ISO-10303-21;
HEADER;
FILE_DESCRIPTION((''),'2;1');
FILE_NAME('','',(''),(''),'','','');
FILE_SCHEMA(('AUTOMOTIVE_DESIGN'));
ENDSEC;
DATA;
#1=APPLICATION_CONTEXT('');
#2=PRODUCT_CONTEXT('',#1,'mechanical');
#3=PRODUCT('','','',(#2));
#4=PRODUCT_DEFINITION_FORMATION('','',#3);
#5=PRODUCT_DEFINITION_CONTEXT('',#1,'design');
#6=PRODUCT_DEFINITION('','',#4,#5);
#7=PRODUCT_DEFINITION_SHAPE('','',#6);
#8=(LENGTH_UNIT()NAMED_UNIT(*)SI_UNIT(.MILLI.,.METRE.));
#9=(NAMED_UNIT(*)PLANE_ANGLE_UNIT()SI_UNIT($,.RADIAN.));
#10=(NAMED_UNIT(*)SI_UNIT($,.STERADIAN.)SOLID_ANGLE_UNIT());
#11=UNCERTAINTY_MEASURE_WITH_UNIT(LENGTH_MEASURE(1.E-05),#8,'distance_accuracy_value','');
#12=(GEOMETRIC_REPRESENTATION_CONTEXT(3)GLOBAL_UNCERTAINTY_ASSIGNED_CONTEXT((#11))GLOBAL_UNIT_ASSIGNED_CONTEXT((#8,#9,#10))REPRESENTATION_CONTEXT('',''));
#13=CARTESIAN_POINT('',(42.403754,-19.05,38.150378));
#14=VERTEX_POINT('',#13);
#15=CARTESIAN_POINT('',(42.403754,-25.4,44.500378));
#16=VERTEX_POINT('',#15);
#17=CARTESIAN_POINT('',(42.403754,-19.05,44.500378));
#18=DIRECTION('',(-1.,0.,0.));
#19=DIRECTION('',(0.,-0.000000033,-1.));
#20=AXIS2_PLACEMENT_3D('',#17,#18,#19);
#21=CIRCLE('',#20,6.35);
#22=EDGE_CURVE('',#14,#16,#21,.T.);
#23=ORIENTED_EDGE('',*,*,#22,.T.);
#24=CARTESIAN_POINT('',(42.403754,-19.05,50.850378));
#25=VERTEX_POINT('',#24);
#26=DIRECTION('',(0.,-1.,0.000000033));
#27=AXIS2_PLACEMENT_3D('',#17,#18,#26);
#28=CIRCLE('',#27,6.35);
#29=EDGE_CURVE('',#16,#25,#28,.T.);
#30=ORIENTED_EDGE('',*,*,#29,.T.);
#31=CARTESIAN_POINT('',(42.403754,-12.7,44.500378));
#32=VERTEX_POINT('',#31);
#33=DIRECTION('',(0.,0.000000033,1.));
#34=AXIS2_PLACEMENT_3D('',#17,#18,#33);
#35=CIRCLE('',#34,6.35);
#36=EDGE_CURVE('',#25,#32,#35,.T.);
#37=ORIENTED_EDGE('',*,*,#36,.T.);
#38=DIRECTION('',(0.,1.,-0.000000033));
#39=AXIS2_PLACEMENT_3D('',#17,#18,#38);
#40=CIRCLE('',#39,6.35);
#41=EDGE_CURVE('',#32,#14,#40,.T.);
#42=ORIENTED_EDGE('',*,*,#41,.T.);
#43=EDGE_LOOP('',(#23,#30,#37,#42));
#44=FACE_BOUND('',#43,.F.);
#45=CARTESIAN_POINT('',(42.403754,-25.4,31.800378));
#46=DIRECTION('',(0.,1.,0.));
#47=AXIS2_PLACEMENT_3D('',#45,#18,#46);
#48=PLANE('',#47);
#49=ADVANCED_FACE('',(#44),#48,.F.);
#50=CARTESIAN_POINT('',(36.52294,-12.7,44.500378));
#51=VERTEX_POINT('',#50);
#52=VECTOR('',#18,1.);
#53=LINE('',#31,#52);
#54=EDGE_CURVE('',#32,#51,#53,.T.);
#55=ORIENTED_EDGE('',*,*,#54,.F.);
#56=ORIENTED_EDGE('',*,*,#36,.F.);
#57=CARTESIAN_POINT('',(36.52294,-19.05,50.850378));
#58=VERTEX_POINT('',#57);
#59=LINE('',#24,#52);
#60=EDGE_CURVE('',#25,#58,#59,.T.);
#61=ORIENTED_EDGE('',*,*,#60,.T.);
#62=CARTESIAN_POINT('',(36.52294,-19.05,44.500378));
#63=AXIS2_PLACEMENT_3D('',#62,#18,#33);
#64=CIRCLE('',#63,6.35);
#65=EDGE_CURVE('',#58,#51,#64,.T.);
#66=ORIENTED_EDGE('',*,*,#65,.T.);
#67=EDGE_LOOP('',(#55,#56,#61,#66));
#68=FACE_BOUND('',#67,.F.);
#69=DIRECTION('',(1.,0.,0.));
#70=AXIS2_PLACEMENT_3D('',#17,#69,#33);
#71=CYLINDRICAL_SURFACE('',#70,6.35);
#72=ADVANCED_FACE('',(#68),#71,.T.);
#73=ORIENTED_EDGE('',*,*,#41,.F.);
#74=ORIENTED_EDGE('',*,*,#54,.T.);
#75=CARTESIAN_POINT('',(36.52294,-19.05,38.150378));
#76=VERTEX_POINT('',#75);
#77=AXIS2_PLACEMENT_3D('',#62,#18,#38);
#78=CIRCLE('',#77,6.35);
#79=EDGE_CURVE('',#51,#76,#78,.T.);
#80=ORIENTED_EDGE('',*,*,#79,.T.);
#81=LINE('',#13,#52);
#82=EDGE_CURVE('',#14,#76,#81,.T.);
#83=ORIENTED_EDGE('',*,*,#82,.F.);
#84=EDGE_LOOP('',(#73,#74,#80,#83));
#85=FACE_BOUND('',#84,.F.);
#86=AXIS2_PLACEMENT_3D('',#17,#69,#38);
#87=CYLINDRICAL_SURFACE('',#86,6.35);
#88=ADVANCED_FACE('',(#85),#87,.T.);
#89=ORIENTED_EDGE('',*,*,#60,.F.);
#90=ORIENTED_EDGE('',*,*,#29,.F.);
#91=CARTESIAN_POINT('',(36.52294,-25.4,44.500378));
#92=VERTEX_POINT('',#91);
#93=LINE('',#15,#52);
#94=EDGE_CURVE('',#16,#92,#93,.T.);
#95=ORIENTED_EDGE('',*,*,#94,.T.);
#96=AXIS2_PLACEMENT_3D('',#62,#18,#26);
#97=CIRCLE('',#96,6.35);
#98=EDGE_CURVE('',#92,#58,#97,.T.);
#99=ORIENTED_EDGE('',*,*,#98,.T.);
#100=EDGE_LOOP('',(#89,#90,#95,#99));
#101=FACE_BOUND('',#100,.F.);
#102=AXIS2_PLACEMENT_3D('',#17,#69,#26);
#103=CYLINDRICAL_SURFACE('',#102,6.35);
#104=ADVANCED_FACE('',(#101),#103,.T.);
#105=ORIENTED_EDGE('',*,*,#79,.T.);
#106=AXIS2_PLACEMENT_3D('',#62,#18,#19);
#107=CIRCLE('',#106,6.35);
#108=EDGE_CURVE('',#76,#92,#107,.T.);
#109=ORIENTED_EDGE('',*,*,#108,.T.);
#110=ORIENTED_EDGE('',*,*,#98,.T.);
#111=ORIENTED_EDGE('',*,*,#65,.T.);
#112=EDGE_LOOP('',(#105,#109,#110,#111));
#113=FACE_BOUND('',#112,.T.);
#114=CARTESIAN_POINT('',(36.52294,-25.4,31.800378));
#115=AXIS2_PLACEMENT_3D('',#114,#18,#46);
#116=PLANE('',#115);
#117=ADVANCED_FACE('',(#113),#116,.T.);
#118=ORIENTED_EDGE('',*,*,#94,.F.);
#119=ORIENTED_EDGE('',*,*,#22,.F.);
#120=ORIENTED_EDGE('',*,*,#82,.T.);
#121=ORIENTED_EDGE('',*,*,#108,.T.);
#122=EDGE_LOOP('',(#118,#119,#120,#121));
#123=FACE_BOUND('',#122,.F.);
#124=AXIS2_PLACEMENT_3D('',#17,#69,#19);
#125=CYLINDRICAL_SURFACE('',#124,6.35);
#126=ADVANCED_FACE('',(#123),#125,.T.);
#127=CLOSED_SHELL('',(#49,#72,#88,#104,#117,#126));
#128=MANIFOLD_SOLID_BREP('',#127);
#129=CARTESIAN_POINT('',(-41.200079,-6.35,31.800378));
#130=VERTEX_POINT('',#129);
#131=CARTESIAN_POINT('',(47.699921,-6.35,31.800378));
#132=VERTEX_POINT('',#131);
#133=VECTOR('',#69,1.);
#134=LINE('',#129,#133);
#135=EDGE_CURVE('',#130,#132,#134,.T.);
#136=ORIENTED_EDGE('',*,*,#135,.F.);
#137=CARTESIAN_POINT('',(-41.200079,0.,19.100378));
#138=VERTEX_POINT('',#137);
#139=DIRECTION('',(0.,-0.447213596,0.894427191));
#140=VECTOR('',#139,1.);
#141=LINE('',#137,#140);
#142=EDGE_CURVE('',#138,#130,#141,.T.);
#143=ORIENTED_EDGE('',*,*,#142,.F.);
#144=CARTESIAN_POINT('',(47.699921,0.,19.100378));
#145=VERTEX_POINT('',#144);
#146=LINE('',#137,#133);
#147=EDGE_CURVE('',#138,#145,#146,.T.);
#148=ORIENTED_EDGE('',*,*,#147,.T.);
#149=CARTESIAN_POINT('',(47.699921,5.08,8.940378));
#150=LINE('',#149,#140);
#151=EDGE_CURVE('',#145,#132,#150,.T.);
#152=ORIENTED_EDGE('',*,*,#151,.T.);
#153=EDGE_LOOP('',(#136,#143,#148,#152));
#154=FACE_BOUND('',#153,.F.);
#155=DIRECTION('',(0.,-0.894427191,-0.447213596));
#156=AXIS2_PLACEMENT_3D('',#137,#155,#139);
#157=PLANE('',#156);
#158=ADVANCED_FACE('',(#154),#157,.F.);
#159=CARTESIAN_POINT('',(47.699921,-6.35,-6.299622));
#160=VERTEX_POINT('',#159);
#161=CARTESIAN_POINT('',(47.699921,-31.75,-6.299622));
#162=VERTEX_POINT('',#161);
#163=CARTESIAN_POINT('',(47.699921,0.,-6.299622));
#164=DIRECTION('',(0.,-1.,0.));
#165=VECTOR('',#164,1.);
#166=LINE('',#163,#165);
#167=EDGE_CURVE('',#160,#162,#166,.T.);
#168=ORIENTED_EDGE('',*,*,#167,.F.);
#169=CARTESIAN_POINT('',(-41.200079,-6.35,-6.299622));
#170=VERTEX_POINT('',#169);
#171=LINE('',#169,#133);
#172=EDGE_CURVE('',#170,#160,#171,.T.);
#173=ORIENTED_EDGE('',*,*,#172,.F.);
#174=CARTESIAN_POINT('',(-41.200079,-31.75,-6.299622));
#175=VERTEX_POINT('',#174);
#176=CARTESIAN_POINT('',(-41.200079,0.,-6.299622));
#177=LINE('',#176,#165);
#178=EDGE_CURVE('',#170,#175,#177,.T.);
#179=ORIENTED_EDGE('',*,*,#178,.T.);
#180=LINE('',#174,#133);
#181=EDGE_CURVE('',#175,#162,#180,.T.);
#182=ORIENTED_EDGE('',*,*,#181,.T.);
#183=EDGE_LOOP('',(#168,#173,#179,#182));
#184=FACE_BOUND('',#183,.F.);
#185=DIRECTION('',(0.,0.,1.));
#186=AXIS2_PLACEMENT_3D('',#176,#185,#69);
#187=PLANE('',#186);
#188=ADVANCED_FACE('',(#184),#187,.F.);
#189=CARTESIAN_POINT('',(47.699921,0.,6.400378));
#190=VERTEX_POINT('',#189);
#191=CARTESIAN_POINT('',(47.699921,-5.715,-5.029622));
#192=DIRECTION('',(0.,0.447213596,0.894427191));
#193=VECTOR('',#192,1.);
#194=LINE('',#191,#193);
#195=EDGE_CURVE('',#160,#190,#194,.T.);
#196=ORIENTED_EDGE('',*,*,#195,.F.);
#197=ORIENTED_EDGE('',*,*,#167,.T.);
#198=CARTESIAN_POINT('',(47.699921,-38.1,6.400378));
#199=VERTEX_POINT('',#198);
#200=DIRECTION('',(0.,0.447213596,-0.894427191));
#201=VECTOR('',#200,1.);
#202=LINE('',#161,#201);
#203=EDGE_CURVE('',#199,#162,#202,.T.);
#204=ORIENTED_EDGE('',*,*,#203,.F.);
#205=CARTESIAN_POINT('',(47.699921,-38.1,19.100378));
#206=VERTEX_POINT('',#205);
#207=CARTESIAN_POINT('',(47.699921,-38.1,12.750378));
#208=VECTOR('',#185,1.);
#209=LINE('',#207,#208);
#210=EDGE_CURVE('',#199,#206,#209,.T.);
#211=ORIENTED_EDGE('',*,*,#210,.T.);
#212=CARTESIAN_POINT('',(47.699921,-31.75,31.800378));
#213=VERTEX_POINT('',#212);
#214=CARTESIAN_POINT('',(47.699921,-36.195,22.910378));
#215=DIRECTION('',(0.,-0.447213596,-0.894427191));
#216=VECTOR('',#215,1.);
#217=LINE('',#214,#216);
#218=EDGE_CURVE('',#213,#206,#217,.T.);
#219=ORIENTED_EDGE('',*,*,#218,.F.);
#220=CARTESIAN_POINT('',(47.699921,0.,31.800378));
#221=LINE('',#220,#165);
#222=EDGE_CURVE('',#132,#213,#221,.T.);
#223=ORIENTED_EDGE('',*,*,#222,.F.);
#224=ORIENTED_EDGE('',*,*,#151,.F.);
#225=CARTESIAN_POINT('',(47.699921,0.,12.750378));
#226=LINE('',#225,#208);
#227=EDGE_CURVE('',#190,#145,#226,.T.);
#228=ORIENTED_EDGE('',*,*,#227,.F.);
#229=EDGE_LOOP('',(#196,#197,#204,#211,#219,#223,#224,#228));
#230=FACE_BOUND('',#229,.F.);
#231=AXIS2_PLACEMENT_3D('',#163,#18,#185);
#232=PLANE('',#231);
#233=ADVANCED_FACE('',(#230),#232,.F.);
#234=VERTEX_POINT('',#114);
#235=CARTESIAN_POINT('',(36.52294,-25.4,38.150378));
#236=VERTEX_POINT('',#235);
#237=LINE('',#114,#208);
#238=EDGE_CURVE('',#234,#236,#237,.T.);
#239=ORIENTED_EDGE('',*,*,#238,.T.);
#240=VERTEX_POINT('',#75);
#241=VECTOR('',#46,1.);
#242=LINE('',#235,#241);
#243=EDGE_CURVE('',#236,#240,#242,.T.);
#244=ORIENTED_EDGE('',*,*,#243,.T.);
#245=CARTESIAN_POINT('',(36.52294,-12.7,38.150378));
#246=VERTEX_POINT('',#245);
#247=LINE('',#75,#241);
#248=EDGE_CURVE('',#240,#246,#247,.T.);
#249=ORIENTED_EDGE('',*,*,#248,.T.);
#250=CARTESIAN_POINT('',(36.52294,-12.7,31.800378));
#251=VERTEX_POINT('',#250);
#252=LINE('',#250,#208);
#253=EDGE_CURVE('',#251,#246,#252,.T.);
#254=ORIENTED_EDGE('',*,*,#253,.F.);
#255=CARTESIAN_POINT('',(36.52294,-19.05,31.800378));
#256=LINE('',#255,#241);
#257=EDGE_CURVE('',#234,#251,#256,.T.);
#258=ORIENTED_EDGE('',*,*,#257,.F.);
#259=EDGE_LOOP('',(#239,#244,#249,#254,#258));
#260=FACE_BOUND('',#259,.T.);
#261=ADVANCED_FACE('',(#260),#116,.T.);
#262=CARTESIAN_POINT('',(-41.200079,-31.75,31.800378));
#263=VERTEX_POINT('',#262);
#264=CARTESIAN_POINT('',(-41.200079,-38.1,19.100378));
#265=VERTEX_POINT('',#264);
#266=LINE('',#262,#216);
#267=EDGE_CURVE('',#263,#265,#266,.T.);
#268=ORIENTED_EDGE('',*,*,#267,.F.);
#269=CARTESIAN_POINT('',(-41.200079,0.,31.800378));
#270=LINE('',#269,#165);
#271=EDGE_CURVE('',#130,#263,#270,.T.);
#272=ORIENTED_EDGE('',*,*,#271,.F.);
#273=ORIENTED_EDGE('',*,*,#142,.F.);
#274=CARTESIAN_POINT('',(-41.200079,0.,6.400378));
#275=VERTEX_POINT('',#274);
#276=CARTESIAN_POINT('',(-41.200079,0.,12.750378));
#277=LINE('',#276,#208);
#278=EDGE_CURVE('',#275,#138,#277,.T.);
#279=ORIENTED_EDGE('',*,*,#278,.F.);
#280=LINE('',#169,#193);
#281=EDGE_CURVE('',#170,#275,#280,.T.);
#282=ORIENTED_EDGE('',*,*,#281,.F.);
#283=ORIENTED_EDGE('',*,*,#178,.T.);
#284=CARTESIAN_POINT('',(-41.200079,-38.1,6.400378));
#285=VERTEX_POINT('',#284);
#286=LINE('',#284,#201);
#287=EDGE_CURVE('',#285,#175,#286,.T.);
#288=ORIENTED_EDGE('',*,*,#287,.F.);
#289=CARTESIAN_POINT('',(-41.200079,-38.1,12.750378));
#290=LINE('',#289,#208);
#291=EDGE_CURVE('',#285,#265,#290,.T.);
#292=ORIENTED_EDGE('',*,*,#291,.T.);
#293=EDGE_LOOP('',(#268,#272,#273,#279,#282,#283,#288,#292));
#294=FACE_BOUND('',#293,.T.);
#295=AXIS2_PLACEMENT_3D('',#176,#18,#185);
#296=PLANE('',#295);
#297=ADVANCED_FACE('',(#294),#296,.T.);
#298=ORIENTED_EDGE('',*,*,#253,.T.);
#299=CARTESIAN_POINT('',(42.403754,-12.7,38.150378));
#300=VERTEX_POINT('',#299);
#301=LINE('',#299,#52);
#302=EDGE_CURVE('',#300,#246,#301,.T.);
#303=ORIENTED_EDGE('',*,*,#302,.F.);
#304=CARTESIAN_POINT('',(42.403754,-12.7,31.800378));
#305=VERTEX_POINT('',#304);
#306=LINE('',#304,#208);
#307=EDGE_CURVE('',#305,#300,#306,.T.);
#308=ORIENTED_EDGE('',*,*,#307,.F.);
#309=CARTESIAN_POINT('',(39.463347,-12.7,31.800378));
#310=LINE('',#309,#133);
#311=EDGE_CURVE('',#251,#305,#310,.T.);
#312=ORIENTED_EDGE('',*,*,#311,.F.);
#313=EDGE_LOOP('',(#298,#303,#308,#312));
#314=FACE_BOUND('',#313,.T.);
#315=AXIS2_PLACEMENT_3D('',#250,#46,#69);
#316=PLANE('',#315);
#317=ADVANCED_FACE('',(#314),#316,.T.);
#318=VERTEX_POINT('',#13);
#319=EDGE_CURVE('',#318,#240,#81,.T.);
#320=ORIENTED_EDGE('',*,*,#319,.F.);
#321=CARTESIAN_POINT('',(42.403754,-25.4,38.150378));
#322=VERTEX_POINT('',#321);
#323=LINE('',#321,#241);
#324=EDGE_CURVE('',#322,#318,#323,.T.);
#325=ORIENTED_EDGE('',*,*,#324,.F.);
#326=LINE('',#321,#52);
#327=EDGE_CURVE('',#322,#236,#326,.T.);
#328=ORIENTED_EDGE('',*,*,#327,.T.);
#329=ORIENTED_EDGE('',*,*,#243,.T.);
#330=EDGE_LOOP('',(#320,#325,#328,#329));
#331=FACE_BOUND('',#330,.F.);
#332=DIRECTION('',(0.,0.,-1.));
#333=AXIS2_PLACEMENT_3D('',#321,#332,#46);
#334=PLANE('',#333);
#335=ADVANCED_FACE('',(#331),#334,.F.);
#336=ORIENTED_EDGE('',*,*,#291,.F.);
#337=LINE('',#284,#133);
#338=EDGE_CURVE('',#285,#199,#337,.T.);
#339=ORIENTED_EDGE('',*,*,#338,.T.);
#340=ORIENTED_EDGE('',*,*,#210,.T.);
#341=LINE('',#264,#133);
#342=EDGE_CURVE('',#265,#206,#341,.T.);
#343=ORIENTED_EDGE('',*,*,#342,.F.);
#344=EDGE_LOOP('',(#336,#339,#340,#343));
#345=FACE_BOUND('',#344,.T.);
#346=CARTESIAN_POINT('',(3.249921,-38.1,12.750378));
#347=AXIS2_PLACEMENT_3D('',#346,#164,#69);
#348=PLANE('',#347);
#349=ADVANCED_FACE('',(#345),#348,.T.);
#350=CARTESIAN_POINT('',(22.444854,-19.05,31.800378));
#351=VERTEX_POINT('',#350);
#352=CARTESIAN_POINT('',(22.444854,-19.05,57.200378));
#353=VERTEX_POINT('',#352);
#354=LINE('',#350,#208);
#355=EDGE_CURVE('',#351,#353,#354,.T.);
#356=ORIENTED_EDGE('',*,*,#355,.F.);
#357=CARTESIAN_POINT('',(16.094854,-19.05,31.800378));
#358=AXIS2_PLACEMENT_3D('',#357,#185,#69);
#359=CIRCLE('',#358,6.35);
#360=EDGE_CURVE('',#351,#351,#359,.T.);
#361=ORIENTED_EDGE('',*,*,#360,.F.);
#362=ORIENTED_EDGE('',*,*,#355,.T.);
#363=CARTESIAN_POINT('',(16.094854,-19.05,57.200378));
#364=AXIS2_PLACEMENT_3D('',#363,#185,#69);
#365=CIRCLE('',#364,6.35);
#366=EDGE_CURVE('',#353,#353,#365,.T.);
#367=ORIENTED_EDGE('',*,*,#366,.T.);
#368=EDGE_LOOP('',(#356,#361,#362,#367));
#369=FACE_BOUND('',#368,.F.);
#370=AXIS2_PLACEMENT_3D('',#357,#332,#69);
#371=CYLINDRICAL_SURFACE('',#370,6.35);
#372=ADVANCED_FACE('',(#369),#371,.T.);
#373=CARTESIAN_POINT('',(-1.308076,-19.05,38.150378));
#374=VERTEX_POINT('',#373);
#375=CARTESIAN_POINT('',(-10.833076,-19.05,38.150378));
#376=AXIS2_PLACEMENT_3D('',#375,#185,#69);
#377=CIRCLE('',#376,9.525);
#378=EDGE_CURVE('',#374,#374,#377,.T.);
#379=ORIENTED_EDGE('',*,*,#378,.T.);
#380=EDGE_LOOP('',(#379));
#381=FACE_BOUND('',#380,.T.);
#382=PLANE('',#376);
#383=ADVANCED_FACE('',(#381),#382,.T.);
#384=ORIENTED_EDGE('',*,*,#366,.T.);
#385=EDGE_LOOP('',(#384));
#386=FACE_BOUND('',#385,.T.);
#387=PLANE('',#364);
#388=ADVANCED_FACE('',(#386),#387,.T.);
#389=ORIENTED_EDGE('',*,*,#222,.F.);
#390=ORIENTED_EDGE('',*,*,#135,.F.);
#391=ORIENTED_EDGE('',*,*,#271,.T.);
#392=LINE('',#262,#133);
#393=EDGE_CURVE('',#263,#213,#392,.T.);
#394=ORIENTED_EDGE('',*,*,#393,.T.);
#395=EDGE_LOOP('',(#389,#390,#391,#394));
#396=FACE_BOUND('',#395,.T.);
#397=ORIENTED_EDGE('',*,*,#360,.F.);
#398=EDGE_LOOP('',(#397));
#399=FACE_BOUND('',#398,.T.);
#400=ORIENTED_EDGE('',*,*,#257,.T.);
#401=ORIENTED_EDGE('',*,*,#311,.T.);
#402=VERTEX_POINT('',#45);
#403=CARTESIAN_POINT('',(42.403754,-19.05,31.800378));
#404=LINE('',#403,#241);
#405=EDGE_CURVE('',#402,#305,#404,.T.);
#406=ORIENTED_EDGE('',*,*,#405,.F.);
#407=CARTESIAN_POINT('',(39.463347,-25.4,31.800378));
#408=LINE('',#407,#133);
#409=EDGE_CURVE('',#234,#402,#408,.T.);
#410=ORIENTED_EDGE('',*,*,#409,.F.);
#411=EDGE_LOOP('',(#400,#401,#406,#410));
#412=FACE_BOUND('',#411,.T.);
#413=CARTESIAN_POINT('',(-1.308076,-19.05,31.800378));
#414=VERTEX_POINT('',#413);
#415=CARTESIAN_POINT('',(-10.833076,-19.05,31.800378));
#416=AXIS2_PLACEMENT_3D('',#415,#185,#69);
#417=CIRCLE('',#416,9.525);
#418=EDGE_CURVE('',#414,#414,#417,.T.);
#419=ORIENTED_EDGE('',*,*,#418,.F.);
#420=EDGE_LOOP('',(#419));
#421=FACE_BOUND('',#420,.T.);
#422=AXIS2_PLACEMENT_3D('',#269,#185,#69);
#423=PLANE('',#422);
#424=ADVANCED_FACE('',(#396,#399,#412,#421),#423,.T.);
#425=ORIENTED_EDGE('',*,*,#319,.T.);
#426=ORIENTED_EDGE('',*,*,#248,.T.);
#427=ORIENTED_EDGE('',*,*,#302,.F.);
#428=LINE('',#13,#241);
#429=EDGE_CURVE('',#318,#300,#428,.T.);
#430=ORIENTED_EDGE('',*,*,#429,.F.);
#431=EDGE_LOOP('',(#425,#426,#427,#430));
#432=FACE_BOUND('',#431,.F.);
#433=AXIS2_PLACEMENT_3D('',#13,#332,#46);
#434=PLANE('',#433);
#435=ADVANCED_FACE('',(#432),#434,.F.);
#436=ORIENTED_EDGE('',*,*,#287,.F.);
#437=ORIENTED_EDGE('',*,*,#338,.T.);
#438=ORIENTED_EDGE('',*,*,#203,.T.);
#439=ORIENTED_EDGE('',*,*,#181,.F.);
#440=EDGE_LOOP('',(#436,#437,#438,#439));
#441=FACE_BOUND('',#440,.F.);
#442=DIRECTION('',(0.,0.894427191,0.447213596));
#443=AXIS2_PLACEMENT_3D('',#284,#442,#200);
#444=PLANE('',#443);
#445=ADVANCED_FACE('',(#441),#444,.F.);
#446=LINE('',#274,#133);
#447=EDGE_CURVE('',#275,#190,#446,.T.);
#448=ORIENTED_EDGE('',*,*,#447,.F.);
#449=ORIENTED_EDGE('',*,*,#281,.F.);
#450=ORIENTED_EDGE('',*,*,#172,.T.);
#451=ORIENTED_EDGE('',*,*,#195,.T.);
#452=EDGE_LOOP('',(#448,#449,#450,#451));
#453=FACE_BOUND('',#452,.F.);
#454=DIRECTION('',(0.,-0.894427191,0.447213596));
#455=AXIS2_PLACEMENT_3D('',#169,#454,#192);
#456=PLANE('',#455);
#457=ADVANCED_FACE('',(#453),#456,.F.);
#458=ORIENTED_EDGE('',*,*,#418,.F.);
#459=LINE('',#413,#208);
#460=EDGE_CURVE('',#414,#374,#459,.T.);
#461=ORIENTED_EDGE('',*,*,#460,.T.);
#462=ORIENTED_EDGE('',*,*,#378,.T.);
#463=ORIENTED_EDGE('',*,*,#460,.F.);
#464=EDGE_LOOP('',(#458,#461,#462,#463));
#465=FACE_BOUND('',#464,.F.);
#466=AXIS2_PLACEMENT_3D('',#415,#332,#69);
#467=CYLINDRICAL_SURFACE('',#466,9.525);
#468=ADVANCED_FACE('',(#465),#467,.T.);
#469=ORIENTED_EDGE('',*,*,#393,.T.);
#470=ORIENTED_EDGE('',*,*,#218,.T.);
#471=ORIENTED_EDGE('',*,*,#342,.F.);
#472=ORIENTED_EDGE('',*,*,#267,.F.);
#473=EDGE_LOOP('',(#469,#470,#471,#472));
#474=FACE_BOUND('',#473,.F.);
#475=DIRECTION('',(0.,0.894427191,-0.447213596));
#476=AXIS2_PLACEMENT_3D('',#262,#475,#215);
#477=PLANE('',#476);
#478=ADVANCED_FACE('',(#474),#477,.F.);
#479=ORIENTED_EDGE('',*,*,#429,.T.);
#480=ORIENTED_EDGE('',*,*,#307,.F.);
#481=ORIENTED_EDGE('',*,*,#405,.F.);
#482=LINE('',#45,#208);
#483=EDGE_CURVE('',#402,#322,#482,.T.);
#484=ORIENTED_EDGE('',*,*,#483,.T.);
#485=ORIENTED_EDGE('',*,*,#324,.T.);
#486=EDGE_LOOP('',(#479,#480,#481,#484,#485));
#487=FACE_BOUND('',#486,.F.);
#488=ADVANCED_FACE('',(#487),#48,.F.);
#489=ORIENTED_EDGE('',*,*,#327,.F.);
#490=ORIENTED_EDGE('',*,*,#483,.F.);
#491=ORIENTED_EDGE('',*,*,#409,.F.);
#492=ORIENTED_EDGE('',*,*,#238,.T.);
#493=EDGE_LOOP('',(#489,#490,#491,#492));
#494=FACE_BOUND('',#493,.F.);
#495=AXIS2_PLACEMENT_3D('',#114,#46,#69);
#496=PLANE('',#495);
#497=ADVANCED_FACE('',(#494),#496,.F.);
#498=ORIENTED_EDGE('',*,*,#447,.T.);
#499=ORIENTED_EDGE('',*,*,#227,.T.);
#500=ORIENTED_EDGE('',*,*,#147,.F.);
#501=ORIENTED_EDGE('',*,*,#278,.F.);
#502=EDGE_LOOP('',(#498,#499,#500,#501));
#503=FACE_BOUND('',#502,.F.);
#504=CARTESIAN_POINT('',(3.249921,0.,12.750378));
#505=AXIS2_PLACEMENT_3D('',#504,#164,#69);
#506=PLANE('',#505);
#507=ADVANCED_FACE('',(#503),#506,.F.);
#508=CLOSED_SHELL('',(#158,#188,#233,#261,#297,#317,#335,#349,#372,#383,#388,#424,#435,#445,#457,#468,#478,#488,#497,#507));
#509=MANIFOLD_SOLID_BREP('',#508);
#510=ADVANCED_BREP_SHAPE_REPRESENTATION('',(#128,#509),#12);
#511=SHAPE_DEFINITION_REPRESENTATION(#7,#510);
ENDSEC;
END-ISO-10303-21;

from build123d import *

# Parameters (mm, degrees)
F0_W     = 88.9
F0_H     = 38.1
F1_DEPTH = 38.1
F3_DEPTH = 88.901
F4_R     = 6.35
F5_DEPTH = 25.4
F4_R_2   = 9.525
F6_DEPTH = 6.35
F4_W     = 5.880814
F4_H     = 12.7
F7_DEPTH = 19.05
F9_DEPTH = 5.880814


with BuildPart() as f1:
    # F0 (on Front) → F1 (new body)
    with BuildSketch(Plane.XZ):
        with Locations((3.249921, 12.750378)):
            Rectangle(F0_W, F0_H)
    extrude(amount=F1_DEPTH)

    # F2 (on face) → F3 (cut, through all)
    with BuildSketch(Plane(origin=(-41.200079, 0, 0), x_dir=(0, -1, 0), z_dir=(-1, 0, 0))):
        Polygon((0, 31.800378), (0, 19.100378), (6.35, 31.800378), align=None)
        Polygon((6.35, -6.299622), (0, 6.400378), (0, -6.299622), align=None)
        Polygon((38.1, 6.400378), (31.75, -6.299622), (38.1, -6.299622), align=None)
        Polygon((38.1, 31.800378), (31.75, 31.800378), (38.1, 19.100378), align=None)
    extrude(amount=-F3_DEPTH, mode=Mode.SUBTRACT)

    # F4 (on face) → F5 (join)
    with BuildSketch(Plane.XY.offset(31.800378)):
        with Locations((16.094854, -19.05)):
            Circle(F4_R)
    extrude(amount=F5_DEPTH)

    # F4 (on face) → F6 (join)
    with BuildSketch(Plane.XY.offset(31.800378)):
        with Locations((-10.833076, -19.05)):
            Circle(F4_R_2)
    extrude(amount=F6_DEPTH)

    # F4 (on face) → F7 (join)
    with BuildSketch(Plane.XY.offset(31.800378)):
        with Locations((39.463347, -19.05)):
            Rectangle(F4_W, F4_H)
    extrude(amount=F7_DEPTH)

    # F8 (on face) → F9 (cut, through all)
    with BuildSketch(Plane.YZ.offset(42.403754)):
        with BuildLine():
            Line((-25.4, 50.850378), (-25.4, 44.500378))
            ThreePointArc((-25.4, 44.500378), (-23.540128, 48.990506), (-19.05, 50.850378))
            Line((-19.05, 50.850378), (-25.4, 50.850378))
        make_face()
        with BuildLine():
            Line((-25.4, 44.500378), (-25.4, 38.150378))
            Line((-25.4, 38.150378), (-19.05, 38.150378))
            ThreePointArc((-19.05, 38.150378), (-23.540128, 40.01025), (-25.4, 44.500378))
        make_face()
        with BuildLine():
            ThreePointArc((-12.7, 44.500378), (-14.559872, 40.01025), (-19.05, 38.150378))
            Line((-19.05, 38.150378), (-12.7, 38.150378))
            Line((-12.7, 38.150378), (-12.7, 44.500378))
        make_face()
        with BuildLine():
            ThreePointArc((-19.05, 50.850378), (-14.559872, 48.990506), (-12.7, 44.500378))
            Line((-12.7, 44.500378), (-12.7, 50.850378))
            Line((-12.7, 50.850378), (-19.05, 50.850378))
        make_face()
    extrude(amount=-F9_DEPTH, mode=Mode.SUBTRACT)


solid = f1.part
